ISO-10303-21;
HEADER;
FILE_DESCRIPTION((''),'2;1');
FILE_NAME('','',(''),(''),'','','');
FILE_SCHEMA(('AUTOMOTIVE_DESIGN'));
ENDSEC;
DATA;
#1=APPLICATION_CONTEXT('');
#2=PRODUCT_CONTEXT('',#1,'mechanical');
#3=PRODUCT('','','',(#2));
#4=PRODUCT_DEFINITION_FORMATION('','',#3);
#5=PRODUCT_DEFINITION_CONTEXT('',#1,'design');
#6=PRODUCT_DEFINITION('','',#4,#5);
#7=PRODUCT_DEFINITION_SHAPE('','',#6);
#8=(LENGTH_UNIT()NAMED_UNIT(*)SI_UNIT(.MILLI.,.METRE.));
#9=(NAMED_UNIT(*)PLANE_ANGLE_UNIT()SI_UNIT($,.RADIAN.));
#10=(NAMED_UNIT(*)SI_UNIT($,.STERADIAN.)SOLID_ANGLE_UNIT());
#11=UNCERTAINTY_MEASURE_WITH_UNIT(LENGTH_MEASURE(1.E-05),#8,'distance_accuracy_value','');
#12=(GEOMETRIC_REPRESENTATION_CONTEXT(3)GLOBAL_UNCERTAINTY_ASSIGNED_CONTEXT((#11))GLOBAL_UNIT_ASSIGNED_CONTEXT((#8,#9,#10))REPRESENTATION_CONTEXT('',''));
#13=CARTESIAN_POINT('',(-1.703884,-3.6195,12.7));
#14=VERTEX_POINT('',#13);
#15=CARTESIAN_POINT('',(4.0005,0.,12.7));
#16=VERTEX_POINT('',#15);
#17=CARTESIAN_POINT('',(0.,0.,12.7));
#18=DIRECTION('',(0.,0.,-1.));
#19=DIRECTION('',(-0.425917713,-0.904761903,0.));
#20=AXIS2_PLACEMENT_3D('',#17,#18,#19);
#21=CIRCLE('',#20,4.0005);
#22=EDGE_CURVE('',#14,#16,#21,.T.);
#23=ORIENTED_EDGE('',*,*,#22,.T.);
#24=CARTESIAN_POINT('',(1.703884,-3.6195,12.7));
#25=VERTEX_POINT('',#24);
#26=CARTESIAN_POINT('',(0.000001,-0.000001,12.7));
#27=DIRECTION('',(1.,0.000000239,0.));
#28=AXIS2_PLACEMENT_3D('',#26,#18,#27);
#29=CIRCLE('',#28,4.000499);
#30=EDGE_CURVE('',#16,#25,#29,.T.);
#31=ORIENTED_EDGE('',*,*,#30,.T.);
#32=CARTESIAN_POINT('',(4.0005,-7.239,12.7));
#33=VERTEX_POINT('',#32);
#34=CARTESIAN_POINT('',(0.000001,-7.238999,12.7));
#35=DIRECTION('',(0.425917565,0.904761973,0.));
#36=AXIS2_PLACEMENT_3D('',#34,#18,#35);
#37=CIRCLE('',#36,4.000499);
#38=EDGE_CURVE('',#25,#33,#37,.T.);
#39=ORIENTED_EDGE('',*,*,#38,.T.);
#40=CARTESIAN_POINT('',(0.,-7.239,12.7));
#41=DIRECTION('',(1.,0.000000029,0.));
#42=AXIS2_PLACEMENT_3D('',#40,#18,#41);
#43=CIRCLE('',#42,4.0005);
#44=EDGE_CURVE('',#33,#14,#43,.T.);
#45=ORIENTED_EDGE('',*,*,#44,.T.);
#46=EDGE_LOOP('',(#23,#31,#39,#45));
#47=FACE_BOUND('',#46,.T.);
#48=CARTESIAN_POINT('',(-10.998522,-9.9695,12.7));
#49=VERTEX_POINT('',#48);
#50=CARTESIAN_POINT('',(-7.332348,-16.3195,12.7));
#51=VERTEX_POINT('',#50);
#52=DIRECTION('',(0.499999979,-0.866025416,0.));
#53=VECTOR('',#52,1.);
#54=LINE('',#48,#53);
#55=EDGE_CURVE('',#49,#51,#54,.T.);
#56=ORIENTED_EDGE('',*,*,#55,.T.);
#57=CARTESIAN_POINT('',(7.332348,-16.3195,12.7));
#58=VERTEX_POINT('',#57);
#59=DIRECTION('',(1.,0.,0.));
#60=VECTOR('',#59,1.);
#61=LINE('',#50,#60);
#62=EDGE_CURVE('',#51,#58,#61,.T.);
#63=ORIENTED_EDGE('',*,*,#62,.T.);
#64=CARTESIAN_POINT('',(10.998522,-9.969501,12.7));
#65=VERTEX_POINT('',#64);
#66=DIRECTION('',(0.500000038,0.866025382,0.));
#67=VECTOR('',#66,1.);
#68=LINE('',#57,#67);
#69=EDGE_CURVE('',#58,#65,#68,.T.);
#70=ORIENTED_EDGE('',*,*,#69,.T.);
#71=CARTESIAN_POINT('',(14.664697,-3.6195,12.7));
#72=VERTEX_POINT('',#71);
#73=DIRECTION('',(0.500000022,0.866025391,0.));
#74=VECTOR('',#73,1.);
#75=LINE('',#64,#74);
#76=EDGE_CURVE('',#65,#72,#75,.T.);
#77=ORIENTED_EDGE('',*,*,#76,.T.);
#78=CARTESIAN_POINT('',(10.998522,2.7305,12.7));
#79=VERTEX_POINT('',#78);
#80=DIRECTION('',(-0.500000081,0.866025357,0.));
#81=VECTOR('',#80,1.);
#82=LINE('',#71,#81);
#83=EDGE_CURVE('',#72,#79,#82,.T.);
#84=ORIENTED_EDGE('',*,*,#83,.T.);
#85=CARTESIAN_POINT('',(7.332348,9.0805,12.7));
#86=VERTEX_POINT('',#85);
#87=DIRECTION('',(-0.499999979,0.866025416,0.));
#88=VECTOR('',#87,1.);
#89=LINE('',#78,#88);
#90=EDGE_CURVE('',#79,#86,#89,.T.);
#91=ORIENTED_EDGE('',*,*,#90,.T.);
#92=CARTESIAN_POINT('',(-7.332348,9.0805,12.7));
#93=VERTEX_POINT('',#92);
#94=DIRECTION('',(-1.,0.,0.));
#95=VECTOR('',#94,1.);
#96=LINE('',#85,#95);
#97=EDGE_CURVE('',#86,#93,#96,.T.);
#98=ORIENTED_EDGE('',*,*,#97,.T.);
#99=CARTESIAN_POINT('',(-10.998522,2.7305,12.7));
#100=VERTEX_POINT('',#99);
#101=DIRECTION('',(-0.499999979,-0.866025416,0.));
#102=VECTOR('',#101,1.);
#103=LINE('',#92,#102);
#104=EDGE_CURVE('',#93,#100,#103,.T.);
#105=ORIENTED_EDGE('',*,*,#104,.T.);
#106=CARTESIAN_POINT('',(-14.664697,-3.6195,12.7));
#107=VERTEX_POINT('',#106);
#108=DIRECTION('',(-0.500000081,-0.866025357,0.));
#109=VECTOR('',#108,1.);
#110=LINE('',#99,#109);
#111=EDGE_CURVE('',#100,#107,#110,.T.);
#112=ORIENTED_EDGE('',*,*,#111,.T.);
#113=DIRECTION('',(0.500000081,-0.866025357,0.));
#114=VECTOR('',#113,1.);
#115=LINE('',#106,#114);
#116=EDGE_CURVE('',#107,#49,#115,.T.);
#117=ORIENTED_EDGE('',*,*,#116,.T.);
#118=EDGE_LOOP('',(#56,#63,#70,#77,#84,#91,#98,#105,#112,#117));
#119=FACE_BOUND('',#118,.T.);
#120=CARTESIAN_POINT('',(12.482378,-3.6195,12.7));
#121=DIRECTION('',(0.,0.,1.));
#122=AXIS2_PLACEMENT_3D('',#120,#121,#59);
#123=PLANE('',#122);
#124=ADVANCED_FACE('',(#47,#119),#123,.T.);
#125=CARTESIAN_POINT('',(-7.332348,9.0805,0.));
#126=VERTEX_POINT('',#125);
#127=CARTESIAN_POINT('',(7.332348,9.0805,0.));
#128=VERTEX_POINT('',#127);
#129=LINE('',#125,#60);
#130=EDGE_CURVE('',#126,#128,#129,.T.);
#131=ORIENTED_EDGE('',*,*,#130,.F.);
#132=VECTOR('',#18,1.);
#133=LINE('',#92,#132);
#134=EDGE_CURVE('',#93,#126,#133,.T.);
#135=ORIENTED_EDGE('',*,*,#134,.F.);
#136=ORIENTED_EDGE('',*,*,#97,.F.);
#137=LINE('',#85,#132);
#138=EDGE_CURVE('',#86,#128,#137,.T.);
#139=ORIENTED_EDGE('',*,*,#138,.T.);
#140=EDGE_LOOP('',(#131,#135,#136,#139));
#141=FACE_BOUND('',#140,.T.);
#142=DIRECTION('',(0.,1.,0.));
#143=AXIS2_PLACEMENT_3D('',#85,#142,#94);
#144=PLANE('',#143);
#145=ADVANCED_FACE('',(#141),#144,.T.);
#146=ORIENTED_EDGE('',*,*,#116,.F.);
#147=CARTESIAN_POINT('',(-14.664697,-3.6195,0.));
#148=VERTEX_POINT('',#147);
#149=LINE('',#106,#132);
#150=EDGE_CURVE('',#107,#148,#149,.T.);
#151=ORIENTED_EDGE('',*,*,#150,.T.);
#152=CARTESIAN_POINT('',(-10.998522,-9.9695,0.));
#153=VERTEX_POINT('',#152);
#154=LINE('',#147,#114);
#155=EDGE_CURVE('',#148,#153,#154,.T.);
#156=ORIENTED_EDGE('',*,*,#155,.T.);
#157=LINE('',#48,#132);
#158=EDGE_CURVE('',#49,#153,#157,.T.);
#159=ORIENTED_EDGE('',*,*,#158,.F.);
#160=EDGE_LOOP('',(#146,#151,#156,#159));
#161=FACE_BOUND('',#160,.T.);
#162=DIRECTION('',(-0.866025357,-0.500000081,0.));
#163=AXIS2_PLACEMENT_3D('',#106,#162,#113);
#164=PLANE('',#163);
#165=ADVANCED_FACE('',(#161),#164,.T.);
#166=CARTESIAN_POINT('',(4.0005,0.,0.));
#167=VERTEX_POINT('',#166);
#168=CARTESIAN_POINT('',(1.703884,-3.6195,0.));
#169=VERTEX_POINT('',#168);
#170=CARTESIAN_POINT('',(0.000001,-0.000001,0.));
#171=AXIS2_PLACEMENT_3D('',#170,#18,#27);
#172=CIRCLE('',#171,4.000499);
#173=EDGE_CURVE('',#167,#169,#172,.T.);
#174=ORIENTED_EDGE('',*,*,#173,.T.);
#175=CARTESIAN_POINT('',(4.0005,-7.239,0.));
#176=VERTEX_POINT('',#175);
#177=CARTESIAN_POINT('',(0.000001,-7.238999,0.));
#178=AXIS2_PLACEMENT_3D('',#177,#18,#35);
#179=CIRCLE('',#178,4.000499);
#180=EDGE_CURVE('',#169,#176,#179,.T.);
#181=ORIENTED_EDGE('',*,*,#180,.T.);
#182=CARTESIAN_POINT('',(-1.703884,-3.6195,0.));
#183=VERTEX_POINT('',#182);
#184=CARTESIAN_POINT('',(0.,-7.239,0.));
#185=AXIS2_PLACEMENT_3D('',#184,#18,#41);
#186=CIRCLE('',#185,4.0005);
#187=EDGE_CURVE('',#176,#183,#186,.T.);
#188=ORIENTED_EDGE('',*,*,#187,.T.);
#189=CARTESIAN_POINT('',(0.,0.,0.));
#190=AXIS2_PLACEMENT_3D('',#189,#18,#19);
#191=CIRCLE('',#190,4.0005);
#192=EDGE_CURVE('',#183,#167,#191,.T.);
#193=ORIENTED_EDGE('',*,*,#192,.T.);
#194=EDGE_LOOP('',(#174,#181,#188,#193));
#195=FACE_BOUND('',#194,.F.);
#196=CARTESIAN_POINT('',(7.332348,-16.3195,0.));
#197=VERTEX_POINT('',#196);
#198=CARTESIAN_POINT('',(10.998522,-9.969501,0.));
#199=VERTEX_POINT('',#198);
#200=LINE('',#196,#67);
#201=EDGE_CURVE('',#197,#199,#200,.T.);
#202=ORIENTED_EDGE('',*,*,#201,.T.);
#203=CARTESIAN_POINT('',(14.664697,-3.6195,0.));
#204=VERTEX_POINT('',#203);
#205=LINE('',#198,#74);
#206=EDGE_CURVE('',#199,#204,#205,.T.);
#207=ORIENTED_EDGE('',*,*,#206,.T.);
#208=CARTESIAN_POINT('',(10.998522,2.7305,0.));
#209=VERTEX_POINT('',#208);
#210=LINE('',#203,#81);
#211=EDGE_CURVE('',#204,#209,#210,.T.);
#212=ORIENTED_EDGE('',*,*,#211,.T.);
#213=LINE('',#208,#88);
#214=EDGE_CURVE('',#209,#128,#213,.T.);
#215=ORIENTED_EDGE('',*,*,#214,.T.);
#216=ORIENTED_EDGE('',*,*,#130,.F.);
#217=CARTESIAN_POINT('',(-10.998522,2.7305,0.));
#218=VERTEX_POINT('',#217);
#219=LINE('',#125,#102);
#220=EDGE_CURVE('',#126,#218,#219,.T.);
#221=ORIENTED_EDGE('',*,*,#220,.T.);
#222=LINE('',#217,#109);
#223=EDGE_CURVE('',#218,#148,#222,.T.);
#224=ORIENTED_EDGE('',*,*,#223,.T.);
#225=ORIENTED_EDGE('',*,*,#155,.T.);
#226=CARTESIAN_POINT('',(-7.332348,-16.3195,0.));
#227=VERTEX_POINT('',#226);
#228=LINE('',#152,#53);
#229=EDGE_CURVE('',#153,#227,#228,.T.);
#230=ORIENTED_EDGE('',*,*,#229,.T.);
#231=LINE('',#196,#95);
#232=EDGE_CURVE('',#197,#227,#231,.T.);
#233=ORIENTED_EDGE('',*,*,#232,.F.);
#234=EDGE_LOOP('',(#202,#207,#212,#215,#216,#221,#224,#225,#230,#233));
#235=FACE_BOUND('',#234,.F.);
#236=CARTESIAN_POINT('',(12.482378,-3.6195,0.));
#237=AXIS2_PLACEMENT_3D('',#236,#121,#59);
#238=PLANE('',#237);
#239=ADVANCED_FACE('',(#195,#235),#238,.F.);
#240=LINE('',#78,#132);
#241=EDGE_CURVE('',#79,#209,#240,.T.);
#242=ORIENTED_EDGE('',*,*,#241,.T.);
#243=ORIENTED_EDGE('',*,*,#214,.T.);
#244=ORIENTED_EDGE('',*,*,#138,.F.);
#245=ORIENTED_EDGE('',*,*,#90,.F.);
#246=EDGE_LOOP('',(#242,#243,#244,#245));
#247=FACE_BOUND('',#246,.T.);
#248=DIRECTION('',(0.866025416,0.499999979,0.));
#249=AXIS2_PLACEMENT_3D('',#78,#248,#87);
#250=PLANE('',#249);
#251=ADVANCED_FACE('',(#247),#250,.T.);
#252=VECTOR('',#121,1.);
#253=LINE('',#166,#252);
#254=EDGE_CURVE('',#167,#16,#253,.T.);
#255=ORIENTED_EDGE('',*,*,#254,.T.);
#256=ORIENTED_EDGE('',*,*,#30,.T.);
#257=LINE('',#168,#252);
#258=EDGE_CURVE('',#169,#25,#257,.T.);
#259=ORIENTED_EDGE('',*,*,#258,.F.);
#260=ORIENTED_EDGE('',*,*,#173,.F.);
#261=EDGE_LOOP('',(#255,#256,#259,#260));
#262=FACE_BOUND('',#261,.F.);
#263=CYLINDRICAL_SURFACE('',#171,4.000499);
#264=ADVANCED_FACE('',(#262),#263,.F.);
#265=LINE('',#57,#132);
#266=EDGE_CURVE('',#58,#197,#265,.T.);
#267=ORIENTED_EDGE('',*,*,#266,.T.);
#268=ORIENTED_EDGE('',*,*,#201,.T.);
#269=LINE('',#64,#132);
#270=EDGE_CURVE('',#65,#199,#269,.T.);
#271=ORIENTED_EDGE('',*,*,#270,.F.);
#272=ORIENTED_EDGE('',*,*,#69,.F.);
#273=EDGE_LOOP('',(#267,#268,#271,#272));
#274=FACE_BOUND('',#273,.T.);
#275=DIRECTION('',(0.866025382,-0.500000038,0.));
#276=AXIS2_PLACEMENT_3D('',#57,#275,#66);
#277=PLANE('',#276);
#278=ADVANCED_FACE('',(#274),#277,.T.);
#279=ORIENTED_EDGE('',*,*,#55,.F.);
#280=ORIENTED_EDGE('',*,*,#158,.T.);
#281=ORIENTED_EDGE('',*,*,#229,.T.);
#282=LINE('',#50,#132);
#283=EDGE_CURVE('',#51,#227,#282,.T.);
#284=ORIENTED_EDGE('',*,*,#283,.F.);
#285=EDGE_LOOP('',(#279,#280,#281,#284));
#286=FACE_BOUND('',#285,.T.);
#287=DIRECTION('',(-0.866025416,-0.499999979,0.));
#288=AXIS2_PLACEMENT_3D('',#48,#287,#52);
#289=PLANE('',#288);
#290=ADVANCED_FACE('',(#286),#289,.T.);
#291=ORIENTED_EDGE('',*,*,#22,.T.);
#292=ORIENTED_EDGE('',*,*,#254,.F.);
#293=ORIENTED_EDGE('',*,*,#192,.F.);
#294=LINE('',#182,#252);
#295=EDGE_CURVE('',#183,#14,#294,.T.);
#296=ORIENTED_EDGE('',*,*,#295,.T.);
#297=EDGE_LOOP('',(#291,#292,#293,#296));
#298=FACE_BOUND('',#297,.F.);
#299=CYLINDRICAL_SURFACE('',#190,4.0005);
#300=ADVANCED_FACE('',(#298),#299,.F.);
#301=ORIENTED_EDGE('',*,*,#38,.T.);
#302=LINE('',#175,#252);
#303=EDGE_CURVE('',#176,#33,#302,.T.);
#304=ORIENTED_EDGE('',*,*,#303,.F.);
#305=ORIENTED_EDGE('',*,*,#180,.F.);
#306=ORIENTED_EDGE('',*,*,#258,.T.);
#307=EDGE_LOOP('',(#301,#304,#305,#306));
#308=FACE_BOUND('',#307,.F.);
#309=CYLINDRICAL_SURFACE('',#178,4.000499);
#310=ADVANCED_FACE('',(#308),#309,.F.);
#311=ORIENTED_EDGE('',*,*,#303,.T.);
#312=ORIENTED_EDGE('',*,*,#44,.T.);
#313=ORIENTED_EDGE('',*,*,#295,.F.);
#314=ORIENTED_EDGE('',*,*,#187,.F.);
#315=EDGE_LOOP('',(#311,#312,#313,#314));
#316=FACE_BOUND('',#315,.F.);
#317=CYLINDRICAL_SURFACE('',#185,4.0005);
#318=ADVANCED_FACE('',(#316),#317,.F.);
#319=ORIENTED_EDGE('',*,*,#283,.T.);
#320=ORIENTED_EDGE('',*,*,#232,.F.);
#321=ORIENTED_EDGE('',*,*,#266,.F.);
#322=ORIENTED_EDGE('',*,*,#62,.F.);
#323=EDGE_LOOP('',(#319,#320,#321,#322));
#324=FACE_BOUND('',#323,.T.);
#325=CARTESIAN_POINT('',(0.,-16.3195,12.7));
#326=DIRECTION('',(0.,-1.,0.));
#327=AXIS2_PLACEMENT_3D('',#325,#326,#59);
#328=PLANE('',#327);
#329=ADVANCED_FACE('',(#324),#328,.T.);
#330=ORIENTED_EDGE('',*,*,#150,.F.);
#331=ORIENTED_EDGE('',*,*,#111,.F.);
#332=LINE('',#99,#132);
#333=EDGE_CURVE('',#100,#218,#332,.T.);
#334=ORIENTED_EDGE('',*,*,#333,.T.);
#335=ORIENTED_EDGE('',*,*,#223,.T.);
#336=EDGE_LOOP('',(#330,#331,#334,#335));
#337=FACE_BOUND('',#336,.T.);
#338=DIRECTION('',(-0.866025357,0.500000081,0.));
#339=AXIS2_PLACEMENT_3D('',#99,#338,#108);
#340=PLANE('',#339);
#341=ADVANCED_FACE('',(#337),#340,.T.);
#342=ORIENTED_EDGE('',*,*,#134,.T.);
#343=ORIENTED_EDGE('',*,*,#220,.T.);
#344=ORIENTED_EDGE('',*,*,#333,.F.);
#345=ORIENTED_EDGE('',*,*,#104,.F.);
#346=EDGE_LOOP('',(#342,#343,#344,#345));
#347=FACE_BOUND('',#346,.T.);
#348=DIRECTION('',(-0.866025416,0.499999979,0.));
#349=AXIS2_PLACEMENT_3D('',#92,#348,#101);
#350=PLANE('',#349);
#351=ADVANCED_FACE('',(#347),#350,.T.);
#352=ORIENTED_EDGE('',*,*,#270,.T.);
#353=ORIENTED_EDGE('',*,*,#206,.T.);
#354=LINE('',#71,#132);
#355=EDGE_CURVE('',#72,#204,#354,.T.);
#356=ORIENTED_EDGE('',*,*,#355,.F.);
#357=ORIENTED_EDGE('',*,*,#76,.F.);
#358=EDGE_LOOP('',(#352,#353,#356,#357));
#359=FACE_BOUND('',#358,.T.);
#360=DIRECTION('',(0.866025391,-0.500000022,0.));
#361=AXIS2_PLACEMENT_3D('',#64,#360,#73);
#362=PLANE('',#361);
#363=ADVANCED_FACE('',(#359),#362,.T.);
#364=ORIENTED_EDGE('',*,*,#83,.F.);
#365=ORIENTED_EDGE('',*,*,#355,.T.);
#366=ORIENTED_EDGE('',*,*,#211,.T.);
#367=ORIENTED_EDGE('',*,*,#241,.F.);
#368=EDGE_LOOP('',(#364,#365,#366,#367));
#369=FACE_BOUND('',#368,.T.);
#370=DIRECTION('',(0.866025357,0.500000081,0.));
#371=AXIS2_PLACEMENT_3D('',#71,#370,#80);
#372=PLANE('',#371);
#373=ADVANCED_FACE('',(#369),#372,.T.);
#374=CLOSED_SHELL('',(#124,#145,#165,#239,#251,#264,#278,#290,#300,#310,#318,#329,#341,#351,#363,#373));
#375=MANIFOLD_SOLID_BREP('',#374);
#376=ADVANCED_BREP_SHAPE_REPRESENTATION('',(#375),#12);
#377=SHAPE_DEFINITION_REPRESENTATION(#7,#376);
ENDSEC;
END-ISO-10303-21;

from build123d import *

# Parameters (mm, degrees)
F3_R     = 12.7
F0_DEPTH = 12.7
F2_DEPTH = 12.7


with BuildPart() as f0:
    # F3 (on Top) → F0 (new body)
    with BuildSketch(Plane.XY):
        with Locations((0, -3.6195)):
            Circle(F3_R)
        with BuildLine():
            ThreePointArc((-1.703884, -3.6195), (-2.143317, 3.377898), (4.0005, 0))
            ThreePointArc((4.0005, 0), (3.377898, -2.143317), (1.703884, -3.6195))
            ThreePointArc((1.703884, -3.6195), (3.377898, -5.095683), (4.0005, -7.239))
            ThreePointArc((4.0005, -7.239), (-2.143317, -10.616898), (-1.703884, -3.6195))
        make_face(mode=Mode.SUBTRACT)
    extrude(amount=F0_DEPTH)

    # F1 (on face) → F2 (join)
    with BuildSketch(Plane.XY.offset(12.7)):
        with BuildLine():
            ThreePointArc((12.7, -3.6195), (12.267258, -6.906502), (10.998522, -9.969501))
            Line((10.998522, -9.969501), (14.664697, -3.6195))
            Line((14.664697, -3.6195), (10.998522, 2.7305))
            ThreePointArc((10.998522, 2.7305), (12.267258, -0.332498), (12.7, -3.6195))
        make_face()
        with BuildLine():
            Line((-14.664697, -3.6195), (-10.998522, -9.9695))
            ThreePointArc((-10.998522, -9.9695), (-12.7, -3.6195), (-10.998522, 2.7305))
            Line((-10.998522, 2.7305), (-14.664697, -3.6195))
        make_face()
        with BuildLine():
            Line((-7.332348, 9.0805), (-10.998522, 2.7305))
            ThreePointArc((-10.998522, 2.7305), (-6.35, 7.379023), (0, 9.0805))
            Line((0, 9.0805), (-7.332348, 9.0805))
        make_face()
        with BuildLine():
            ThreePointArc((0, 9.0805), (6.35, 7.379023), (10.998522, 2.7305))
            Line((10.998522, 2.7305), (7.332348, 9.0805))
            Line((7.332348, 9.0805), (0, 9.0805))
        make_face()
        with BuildLine():
            Line((0, -16.3195), (7.332348, -16.3195))
            Line((7.332348, -16.3195), (10.998522, -9.969501))
            ThreePointArc((10.998522, -9.969501), (6.35, -14.618023), (0, -16.3195))
        make_face()
        with BuildLine():
            Line((-7.332348, -16.3195), (0, -16.3195))
            ThreePointArc((0, -16.3195), (-6.35, -14.618023), (-10.998522, -9.9695))
            Line((-10.998522, -9.9695), (-7.332348, -16.3195))
        make_face()
    extrude(amount=-F2_DEPTH)


solid = f0.part
